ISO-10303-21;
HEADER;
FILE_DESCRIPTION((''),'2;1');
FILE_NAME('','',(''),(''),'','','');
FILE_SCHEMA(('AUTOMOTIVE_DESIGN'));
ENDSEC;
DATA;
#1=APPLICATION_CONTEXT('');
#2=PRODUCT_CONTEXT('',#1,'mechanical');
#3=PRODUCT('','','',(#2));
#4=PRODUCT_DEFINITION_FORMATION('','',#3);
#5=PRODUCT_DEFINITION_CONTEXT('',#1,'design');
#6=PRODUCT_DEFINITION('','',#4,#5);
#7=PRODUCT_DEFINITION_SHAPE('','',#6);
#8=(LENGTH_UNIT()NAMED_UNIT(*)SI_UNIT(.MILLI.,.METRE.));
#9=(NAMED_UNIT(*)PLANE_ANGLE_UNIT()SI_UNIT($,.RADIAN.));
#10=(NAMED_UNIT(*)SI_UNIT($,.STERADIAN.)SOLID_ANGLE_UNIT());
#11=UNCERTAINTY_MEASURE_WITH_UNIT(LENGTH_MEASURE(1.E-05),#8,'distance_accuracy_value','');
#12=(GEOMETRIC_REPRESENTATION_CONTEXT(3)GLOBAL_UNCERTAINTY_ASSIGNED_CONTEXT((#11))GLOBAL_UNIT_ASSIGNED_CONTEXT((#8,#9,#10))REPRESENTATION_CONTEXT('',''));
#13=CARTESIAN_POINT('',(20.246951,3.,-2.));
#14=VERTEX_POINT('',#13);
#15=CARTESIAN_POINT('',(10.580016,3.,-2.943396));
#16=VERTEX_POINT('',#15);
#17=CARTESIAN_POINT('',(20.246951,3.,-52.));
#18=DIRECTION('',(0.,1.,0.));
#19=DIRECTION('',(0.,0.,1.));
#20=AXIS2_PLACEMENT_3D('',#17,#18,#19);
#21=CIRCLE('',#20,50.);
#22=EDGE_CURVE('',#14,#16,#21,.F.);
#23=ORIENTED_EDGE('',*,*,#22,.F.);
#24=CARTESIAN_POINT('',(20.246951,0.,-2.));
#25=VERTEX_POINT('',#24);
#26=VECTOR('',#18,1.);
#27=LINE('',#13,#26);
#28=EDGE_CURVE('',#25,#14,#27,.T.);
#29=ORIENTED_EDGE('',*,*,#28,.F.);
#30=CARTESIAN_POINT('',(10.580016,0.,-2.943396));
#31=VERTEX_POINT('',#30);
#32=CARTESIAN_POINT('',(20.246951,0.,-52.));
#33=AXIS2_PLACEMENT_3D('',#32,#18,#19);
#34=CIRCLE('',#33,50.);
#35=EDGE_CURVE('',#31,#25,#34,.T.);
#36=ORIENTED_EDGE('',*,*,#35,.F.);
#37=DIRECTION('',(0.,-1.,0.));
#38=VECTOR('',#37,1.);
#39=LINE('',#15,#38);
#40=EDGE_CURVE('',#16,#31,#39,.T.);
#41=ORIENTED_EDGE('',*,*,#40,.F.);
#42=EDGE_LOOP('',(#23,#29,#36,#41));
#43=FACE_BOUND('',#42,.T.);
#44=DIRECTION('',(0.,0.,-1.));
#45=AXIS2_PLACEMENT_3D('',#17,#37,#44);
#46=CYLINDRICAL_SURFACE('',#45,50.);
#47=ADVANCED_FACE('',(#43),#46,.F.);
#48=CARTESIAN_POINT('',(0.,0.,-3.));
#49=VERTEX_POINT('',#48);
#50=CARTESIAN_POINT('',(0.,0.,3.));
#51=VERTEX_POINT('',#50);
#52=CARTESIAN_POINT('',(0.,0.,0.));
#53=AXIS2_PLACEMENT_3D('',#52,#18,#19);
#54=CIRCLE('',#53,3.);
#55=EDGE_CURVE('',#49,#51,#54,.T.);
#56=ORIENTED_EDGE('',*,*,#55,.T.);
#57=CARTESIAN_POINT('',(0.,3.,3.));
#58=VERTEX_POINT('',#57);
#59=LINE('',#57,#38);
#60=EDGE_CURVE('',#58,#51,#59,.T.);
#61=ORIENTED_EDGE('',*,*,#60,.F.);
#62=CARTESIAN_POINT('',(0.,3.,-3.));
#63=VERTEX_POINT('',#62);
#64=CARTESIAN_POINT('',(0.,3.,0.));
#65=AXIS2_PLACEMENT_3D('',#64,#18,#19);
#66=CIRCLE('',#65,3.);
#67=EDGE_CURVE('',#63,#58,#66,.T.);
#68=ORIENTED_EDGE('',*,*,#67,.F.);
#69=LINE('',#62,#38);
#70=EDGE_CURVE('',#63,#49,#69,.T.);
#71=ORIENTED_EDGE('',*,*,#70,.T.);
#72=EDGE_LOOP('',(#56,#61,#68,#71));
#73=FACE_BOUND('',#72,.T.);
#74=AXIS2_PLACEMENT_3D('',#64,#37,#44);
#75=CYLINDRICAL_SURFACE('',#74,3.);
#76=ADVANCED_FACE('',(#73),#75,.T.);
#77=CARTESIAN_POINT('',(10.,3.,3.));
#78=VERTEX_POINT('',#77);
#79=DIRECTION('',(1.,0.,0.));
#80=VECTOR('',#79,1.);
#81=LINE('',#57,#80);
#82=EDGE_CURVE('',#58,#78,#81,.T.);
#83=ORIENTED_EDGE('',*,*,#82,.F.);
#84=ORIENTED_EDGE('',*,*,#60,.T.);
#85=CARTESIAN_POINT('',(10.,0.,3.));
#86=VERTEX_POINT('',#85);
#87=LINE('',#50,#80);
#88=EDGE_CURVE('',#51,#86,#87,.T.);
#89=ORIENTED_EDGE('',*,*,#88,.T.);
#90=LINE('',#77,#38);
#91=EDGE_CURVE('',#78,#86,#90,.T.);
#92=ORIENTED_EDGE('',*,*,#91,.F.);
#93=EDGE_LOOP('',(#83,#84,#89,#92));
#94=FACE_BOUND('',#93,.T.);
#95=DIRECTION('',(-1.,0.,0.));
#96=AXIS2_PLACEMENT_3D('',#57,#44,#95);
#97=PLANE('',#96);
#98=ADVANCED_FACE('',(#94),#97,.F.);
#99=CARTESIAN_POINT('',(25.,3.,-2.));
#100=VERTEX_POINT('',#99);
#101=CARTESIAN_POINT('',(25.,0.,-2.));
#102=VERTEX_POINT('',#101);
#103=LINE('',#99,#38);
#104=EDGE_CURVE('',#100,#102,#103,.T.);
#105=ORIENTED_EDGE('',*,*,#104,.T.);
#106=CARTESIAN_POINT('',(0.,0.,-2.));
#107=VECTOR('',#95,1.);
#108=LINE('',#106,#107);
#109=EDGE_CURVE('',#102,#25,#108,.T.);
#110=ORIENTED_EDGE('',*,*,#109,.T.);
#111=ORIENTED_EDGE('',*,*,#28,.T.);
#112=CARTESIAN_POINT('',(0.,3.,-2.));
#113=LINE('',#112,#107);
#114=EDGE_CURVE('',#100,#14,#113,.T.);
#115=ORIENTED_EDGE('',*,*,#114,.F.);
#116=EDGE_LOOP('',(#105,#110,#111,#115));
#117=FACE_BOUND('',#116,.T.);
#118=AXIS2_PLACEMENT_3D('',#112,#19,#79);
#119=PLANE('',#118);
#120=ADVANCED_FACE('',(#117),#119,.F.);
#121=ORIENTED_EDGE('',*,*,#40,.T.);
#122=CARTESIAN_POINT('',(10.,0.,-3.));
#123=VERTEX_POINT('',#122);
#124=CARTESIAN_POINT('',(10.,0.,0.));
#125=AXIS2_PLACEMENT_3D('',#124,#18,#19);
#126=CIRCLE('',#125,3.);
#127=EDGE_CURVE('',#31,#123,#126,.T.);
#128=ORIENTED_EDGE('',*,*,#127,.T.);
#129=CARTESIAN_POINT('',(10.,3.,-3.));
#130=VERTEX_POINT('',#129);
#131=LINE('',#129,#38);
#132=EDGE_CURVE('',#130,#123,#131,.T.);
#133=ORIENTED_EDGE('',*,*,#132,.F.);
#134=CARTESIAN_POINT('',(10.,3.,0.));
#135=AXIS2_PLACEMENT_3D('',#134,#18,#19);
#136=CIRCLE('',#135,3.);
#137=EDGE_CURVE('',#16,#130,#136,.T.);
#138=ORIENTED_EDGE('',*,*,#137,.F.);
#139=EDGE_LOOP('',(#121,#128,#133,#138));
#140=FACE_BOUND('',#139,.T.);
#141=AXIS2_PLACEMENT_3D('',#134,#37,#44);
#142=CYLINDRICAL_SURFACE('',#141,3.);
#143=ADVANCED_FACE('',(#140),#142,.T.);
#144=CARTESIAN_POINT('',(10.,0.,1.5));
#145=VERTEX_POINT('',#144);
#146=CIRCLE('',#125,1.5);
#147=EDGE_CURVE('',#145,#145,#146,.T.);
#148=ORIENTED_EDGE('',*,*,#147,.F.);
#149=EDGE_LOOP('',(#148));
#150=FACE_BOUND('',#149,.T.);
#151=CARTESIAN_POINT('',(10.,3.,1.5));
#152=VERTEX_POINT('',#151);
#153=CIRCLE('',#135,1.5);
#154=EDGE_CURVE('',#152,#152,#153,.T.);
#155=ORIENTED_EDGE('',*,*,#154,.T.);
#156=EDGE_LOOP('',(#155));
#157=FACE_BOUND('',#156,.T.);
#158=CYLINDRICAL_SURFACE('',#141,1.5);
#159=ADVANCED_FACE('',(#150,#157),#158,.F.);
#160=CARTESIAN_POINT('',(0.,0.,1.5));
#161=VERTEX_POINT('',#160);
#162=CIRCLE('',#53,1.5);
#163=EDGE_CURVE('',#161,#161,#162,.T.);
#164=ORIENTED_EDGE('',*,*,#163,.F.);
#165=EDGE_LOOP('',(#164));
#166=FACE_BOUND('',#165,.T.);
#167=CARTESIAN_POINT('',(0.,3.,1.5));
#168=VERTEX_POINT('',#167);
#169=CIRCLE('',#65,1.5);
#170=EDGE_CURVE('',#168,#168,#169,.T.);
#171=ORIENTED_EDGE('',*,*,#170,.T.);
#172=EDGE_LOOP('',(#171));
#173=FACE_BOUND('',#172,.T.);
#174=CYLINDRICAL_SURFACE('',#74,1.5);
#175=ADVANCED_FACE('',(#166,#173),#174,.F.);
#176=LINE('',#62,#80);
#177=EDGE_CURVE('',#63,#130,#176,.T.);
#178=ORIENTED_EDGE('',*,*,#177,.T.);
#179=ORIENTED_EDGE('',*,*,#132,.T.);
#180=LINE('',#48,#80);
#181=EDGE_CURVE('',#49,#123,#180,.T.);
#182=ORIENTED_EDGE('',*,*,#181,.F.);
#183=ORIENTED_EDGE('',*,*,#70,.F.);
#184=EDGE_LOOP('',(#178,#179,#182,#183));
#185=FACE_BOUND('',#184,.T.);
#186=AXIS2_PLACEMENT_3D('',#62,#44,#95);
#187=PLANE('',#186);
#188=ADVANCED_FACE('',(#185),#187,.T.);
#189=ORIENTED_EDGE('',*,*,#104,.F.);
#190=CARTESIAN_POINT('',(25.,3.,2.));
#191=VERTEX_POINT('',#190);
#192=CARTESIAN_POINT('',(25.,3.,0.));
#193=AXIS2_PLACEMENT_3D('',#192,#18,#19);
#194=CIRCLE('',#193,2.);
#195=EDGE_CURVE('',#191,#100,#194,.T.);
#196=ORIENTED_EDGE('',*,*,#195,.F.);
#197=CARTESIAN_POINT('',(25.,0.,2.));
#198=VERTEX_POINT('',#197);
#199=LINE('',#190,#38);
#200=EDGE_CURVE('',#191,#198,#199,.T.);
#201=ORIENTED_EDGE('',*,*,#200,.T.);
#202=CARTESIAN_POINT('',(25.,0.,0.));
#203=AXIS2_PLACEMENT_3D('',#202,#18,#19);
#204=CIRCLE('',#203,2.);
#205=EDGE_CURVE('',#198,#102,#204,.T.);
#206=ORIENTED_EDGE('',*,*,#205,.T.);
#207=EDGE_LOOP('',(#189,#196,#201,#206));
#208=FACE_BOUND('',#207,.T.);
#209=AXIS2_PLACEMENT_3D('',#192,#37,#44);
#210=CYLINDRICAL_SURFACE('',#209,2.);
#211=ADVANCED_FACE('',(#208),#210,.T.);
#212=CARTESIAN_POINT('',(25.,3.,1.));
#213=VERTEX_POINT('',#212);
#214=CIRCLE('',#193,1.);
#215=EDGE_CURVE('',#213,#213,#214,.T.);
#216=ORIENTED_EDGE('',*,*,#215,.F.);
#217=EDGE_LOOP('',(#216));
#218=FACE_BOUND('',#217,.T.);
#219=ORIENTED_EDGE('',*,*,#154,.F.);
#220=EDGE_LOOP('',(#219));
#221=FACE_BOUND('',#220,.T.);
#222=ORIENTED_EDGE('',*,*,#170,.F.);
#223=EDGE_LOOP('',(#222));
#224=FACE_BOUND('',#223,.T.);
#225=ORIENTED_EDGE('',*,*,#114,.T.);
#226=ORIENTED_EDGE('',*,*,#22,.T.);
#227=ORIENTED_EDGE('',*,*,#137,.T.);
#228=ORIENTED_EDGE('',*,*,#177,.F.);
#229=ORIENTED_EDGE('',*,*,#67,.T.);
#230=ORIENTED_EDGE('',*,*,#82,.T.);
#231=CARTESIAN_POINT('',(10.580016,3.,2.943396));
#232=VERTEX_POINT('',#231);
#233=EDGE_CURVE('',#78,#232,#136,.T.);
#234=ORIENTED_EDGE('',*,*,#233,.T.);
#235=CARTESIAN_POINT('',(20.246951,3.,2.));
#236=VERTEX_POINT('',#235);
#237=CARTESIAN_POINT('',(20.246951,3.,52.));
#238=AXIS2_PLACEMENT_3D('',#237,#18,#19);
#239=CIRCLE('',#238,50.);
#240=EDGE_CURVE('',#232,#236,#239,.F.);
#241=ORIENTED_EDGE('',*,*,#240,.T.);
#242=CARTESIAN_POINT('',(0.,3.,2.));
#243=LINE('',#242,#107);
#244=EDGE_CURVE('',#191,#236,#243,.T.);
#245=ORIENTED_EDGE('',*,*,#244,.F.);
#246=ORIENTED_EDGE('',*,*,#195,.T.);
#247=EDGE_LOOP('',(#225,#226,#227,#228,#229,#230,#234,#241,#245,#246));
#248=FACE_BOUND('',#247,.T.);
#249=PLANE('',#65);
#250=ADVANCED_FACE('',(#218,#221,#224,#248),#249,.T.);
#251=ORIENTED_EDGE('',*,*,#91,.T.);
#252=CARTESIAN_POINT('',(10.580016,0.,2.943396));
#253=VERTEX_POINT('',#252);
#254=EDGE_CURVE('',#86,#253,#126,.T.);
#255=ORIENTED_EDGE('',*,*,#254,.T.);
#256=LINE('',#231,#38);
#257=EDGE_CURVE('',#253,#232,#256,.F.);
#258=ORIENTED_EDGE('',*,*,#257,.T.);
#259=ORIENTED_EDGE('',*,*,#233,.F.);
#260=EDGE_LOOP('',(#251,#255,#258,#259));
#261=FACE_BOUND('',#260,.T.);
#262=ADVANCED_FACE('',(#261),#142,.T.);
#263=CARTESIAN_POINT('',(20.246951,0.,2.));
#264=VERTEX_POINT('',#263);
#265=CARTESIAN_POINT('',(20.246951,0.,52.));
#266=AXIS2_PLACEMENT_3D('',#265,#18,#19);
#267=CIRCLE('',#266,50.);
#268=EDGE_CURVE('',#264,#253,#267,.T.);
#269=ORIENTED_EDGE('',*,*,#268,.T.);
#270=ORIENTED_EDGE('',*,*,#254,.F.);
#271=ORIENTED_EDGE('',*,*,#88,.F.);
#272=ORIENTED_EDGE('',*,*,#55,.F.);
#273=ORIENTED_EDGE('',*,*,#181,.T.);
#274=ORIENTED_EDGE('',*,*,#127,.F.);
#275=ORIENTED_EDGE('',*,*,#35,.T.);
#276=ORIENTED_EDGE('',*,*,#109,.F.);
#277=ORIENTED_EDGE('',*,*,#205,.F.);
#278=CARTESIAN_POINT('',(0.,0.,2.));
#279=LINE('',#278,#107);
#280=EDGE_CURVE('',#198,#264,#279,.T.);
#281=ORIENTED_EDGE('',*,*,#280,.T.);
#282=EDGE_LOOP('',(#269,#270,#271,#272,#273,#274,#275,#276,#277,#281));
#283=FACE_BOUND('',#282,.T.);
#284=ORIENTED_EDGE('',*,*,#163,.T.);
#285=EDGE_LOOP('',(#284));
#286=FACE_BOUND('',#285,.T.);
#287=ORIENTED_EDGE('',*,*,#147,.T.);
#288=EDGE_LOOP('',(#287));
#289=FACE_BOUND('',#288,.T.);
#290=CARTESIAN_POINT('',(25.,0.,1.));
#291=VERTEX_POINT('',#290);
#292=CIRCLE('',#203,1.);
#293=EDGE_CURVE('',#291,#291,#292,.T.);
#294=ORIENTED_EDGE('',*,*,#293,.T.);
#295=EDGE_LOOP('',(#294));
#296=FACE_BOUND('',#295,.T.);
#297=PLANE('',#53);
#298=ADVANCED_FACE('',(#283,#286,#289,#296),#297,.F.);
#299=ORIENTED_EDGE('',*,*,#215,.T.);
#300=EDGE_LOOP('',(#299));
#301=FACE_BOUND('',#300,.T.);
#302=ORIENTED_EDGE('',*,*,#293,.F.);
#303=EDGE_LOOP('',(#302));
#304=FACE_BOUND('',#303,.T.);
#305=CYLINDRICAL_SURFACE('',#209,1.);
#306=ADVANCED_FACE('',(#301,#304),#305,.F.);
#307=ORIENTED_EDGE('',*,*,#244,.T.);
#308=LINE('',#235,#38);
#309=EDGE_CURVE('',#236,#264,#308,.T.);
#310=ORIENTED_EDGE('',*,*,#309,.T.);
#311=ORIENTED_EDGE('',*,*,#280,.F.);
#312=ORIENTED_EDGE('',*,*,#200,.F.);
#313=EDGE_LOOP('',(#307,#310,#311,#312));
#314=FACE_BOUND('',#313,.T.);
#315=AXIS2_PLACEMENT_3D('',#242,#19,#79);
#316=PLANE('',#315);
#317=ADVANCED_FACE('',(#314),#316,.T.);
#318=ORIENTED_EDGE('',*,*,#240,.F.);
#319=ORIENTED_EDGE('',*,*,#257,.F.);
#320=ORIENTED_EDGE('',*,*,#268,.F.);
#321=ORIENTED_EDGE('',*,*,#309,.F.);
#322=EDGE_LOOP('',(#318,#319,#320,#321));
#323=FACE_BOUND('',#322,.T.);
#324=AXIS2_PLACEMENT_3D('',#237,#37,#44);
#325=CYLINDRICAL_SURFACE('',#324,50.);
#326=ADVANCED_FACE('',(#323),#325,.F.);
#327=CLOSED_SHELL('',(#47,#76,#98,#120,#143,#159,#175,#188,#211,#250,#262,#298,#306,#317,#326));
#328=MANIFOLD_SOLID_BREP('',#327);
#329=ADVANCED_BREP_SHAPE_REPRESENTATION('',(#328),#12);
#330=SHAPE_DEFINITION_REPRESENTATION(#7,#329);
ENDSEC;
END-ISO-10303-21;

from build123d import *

# Parameters (mm, degrees)
SKETCH1_R           = 1
SKETCH1_R_2         = 1.5
BOSS_EXTRUDE1_DEPTH = 3
FILLET1_R           = 50


with BuildPart() as part:
    # Sketch1 → Boss-Extrude1 (new body)
    # profile 1 of 3: a face of its own
    with BuildSketch(Plane(origin=(0, 0, 0), x_dir=(1, 0, 0), z_dir=(0, 1, 0))):
        with BuildLine():
            Line((25, 2), (12.236067977, 2))
            ThreePointArc((12.236067977, 2), (13, 0), (12.236067977, -2))
            Line((12.236067977, -2), (25, -2))
            ThreePointArc((25, -2), (27, 0), (25, 2))
        make_face()
        with Locations(Location((25, 0, 0), (0, 0, 270))):
            Circle(SKETCH1_R, mode=Mode.SUBTRACT)
    # profile 2 of 3: a face of its own
    with BuildSketch(Plane(origin=(0, 0, 0), x_dir=(1, 0, 0), z_dir=(0, 1, 0))):
        with BuildLine():
            ThreePointArc((12.236067977, -2), (13, 0), (12.236067977, 2))
            Line((12.236067977, 2), (10, 2))
            ThreePointArc((10, 2), (8, 0), (10, -2))
            Line((10, -2), (12.236067977, -2))
        make_face()
        with Locations(Location((10, 0, 0), (0, 0, 270))):
            Circle(SKETCH1_R_2, mode=Mode.SUBTRACT)
    # profile 3 of 3: a face of its own
    with BuildSketch(Plane(origin=(0, 0, 0), x_dir=(1, 0, 0), z_dir=(0, 1, 0))):
        with BuildLine():
            Line((10, 3), (0, 3))
            ThreePointArc((0, 3), (-3, 0), (0, -3))
            Line((0, -3), (10, -3))
            ThreePointArc((10, -3), (11.224744871, -2.738612788), (12.236067977, -2))
            Line((12.236067977, -2), (10, -2))
            ThreePointArc((10, -2), (8, 0), (10, 2))
            Line((10, 2), (12.236067977, 2))
            ThreePointArc((12.236067977, 2), (11.224744871, 2.738612788), (10, 3))
        make_face()
        with Locations(Location((0, 0, 0), (0, 0, 270))):
            Circle(SKETCH1_R_2, mode=Mode.SUBTRACT)
    extrude(amount=BOSS_EXTRUDE1_DEPTH)

    # Fillet1
    fillet1_edges = [part.edges().sort_by_distance(p)[0] for p in [
        (12.236067977, 1.5, 2),
        (12.236067977, 1.5, -2),
    ]]
    fillet(fillet1_edges, radius=FILLET1_R)


solid = part.part
